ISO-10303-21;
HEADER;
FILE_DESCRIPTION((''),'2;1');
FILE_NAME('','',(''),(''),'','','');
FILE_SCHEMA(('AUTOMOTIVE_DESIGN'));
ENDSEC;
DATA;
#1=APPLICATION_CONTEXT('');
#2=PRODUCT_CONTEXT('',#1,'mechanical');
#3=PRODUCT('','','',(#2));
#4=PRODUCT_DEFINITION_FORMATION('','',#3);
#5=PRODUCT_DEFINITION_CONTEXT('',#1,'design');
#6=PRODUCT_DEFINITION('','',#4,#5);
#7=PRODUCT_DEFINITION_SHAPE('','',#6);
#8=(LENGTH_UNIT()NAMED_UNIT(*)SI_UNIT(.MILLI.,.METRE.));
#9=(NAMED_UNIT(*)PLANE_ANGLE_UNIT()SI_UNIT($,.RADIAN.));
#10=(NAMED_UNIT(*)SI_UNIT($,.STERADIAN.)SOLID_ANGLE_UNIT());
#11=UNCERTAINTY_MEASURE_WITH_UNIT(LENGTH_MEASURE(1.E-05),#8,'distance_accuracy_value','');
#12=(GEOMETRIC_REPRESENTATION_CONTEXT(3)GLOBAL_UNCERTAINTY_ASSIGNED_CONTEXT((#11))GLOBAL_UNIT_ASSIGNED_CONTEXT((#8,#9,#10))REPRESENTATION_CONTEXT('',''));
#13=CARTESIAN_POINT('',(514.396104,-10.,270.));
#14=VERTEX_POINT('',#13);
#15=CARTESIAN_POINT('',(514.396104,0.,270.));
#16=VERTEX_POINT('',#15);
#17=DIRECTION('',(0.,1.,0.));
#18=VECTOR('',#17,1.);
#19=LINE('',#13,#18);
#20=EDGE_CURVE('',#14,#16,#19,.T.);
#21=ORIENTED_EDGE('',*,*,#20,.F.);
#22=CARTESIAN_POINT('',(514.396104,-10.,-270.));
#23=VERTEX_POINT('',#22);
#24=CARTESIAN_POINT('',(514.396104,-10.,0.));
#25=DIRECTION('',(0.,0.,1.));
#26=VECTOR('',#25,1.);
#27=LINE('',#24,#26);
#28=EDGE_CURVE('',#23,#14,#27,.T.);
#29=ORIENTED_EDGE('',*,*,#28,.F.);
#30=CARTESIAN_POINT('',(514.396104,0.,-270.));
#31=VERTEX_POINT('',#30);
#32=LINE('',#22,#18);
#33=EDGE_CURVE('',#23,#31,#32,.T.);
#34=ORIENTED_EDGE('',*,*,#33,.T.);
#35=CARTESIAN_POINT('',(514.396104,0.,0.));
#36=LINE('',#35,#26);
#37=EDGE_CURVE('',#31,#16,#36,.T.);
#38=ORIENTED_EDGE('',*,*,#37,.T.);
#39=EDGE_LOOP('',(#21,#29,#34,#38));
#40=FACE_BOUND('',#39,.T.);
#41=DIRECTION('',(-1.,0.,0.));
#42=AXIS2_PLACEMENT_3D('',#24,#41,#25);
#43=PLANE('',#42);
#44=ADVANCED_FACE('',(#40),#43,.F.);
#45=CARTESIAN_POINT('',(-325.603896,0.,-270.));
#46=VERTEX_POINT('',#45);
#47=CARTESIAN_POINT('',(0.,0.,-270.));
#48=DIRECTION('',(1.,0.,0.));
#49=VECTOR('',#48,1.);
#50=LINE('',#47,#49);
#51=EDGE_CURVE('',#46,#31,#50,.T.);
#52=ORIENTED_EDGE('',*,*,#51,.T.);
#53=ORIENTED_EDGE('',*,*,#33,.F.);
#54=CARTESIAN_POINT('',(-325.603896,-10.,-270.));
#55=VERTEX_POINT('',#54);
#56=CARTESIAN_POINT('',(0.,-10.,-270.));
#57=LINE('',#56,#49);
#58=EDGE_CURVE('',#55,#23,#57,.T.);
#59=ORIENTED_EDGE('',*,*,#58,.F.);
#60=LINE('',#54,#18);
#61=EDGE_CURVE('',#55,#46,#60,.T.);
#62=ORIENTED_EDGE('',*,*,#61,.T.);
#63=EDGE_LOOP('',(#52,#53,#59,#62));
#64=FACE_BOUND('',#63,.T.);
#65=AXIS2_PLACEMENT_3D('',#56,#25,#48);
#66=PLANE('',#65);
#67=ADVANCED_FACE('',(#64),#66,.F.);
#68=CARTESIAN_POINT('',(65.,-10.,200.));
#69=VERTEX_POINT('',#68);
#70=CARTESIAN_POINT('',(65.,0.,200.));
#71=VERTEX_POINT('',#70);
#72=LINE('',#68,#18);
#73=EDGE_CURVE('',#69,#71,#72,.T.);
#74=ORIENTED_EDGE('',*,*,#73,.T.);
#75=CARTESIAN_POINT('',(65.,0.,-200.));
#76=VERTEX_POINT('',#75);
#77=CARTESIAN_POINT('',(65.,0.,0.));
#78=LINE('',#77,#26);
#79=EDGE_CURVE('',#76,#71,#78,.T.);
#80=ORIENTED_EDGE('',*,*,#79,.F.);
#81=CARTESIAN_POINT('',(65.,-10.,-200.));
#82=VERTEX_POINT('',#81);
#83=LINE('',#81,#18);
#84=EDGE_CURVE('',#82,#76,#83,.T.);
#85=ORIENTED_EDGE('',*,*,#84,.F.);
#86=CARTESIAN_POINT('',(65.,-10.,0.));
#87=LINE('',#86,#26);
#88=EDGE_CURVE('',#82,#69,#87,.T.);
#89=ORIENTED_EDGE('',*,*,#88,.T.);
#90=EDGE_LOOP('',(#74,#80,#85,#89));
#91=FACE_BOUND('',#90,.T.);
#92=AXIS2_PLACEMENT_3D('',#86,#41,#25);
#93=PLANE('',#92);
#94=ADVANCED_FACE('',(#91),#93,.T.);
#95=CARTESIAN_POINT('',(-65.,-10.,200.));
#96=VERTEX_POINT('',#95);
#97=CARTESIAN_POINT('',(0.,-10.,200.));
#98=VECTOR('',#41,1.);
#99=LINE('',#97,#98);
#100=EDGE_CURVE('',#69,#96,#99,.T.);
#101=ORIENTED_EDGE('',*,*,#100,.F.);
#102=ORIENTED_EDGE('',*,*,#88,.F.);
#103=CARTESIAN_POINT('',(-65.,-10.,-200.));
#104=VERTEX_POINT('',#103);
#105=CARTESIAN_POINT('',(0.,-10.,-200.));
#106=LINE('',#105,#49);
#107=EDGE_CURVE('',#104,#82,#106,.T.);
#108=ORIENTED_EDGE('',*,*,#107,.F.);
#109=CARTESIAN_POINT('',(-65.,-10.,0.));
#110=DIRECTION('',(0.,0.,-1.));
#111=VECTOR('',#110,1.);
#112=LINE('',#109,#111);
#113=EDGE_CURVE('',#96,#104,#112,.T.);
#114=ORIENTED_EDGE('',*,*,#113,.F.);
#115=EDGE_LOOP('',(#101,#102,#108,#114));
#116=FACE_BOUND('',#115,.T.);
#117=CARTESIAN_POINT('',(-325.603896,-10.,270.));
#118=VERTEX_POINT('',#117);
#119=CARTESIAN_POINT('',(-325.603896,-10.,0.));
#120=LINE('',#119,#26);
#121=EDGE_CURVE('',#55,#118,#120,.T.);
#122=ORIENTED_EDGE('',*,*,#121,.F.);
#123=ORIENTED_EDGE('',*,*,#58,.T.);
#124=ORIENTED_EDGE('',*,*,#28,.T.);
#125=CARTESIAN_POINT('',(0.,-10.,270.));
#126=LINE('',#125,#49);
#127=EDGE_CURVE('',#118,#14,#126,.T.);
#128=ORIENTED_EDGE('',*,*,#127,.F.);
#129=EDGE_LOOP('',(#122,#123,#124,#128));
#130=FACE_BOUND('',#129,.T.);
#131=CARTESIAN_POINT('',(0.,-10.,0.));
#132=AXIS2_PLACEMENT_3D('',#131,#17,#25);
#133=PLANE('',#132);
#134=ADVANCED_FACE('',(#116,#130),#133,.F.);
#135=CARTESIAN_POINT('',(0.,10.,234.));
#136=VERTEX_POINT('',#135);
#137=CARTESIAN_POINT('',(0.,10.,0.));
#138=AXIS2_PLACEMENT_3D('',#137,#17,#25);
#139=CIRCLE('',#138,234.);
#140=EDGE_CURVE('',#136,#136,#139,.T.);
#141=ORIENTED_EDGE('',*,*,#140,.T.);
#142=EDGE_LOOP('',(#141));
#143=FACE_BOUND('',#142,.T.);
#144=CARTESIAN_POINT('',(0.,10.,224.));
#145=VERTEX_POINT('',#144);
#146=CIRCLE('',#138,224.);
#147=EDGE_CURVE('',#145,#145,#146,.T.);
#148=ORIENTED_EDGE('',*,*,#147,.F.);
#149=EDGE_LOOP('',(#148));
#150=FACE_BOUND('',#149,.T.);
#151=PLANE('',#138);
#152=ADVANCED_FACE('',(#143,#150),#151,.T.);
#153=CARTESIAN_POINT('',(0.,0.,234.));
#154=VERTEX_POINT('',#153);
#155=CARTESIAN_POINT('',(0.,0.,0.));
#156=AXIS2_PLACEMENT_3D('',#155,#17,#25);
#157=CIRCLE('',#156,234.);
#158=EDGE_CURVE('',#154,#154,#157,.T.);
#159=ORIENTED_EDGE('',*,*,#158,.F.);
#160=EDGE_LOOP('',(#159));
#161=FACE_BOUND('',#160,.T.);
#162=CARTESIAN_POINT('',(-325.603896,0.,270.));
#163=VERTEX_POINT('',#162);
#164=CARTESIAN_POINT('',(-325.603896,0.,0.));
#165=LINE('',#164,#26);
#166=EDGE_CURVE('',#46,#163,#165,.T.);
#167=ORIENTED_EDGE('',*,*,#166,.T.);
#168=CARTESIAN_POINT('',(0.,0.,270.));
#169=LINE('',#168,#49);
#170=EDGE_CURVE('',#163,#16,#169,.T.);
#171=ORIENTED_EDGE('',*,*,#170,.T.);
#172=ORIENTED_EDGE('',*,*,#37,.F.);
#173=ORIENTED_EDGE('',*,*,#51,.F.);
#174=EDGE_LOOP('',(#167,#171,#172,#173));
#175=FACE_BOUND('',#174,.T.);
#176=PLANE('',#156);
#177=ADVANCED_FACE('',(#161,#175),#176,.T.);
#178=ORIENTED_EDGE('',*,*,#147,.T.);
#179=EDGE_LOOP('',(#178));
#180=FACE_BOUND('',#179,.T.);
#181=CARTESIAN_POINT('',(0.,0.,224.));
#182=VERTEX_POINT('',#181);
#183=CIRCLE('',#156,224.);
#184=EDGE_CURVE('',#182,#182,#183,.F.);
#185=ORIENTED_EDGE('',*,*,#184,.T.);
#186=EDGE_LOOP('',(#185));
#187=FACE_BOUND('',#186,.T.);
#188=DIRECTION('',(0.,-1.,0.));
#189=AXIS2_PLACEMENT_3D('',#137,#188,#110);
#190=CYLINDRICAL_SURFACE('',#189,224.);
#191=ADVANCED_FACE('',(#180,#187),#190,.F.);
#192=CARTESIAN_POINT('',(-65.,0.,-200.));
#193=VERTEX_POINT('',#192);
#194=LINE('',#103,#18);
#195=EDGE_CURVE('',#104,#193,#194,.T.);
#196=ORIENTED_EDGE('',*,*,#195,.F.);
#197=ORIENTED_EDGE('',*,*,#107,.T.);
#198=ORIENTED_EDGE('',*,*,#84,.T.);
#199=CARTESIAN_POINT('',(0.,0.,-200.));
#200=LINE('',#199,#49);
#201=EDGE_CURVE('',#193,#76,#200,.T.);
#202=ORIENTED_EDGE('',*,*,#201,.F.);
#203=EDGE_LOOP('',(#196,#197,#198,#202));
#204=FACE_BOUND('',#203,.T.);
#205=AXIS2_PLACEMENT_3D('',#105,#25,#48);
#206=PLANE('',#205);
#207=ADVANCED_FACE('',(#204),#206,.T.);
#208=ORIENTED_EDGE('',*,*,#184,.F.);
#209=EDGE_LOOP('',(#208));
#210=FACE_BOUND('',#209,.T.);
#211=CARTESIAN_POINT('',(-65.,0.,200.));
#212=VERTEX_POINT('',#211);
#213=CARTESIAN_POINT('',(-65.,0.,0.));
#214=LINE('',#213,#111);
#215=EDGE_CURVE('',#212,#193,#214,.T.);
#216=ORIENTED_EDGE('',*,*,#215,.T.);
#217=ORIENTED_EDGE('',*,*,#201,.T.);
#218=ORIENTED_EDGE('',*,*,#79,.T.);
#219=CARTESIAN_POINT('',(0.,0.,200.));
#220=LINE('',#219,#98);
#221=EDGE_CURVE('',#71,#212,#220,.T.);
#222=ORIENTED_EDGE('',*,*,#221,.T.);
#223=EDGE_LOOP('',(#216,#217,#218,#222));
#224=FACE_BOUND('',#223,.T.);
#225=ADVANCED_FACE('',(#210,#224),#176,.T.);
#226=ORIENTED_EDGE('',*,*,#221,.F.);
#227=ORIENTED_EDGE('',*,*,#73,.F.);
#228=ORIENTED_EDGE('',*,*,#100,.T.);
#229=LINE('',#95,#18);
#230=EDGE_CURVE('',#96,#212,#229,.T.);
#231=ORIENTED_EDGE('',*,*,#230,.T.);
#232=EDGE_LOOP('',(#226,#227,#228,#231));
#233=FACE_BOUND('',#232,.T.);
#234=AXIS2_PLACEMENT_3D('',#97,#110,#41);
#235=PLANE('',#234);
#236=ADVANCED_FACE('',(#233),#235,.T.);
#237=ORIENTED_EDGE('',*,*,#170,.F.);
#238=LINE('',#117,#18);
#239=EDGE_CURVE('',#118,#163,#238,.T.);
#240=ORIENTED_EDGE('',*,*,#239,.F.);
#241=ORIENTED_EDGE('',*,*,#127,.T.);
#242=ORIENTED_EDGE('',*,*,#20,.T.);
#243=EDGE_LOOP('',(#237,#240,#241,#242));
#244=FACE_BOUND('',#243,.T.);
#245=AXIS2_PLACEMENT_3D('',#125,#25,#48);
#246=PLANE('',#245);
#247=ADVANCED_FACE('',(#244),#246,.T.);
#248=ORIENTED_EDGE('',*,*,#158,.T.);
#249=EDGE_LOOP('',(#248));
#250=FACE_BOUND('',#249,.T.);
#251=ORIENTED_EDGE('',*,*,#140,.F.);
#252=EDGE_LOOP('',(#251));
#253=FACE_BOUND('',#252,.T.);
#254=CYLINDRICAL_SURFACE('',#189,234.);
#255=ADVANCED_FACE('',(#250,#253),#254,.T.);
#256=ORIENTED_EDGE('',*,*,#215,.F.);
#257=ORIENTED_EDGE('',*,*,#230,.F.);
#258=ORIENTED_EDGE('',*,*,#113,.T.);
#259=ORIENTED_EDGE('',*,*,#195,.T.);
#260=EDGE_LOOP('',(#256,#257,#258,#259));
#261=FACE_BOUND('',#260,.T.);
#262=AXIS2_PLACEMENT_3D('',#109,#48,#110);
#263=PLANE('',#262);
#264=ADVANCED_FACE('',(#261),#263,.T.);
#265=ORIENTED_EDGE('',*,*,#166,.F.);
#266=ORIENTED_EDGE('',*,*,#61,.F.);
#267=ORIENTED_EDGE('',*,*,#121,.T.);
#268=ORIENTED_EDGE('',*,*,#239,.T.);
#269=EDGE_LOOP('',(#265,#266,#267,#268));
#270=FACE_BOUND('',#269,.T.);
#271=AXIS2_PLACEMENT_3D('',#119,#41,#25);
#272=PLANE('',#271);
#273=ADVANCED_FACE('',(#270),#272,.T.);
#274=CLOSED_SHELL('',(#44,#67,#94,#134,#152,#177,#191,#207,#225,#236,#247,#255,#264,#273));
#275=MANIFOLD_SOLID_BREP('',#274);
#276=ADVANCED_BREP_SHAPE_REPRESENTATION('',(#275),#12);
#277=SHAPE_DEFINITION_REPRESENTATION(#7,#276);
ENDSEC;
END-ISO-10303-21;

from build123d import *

# Parameters (mm, degrees)
BOSS_EXTRUDE1_DEPTH = 10
BOSS_EXTRUDE2_DEPTH = 10


with BuildPart() as part:
    # Sketch1 → Boss-Extrude1 (new body)
    with BuildSketch(Plane(origin=(0, 0, 0), x_dir=(1, 0, 0), z_dir=(0, 1, 0))):
        Polygon((514.396103797, 270), (0, 270), (-325.603896203, 270), (-325.603896203, -270), (514.396103797, -270), align=None)
        Polygon((-65, 200), (0, 200), (65, 200), (65, -200), (-65, -200), align=None, mode=Mode.SUBTRACT)
    extrude(amount=-BOSS_EXTRUDE1_DEPTH)

    # Sketch1<3> → Boss-Extrude2 (add)
    with BuildSketch(Plane(origin=(0, 0, 0), x_dir=(1, 0, 0), z_dir=(0, 1, 0))):
        with BuildLine():
            ThreePointArc((234, 0), (165.462986798, 165.462986798), (0, 234))
            ThreePointArc((0, 234), (-165.462986798, -165.462986798), (234, 0))
        make_face()
        with BuildLine():
            ThreePointArc((224, 0), (-158.391918986, -158.391918986), (0, 224))
            ThreePointArc((0, 224), (158.391918986, 158.391918986), (224, 0))
        make_face(mode=Mode.SUBTRACT)
    extrude(amount=BOSS_EXTRUDE2_DEPTH)


solid = part.part
